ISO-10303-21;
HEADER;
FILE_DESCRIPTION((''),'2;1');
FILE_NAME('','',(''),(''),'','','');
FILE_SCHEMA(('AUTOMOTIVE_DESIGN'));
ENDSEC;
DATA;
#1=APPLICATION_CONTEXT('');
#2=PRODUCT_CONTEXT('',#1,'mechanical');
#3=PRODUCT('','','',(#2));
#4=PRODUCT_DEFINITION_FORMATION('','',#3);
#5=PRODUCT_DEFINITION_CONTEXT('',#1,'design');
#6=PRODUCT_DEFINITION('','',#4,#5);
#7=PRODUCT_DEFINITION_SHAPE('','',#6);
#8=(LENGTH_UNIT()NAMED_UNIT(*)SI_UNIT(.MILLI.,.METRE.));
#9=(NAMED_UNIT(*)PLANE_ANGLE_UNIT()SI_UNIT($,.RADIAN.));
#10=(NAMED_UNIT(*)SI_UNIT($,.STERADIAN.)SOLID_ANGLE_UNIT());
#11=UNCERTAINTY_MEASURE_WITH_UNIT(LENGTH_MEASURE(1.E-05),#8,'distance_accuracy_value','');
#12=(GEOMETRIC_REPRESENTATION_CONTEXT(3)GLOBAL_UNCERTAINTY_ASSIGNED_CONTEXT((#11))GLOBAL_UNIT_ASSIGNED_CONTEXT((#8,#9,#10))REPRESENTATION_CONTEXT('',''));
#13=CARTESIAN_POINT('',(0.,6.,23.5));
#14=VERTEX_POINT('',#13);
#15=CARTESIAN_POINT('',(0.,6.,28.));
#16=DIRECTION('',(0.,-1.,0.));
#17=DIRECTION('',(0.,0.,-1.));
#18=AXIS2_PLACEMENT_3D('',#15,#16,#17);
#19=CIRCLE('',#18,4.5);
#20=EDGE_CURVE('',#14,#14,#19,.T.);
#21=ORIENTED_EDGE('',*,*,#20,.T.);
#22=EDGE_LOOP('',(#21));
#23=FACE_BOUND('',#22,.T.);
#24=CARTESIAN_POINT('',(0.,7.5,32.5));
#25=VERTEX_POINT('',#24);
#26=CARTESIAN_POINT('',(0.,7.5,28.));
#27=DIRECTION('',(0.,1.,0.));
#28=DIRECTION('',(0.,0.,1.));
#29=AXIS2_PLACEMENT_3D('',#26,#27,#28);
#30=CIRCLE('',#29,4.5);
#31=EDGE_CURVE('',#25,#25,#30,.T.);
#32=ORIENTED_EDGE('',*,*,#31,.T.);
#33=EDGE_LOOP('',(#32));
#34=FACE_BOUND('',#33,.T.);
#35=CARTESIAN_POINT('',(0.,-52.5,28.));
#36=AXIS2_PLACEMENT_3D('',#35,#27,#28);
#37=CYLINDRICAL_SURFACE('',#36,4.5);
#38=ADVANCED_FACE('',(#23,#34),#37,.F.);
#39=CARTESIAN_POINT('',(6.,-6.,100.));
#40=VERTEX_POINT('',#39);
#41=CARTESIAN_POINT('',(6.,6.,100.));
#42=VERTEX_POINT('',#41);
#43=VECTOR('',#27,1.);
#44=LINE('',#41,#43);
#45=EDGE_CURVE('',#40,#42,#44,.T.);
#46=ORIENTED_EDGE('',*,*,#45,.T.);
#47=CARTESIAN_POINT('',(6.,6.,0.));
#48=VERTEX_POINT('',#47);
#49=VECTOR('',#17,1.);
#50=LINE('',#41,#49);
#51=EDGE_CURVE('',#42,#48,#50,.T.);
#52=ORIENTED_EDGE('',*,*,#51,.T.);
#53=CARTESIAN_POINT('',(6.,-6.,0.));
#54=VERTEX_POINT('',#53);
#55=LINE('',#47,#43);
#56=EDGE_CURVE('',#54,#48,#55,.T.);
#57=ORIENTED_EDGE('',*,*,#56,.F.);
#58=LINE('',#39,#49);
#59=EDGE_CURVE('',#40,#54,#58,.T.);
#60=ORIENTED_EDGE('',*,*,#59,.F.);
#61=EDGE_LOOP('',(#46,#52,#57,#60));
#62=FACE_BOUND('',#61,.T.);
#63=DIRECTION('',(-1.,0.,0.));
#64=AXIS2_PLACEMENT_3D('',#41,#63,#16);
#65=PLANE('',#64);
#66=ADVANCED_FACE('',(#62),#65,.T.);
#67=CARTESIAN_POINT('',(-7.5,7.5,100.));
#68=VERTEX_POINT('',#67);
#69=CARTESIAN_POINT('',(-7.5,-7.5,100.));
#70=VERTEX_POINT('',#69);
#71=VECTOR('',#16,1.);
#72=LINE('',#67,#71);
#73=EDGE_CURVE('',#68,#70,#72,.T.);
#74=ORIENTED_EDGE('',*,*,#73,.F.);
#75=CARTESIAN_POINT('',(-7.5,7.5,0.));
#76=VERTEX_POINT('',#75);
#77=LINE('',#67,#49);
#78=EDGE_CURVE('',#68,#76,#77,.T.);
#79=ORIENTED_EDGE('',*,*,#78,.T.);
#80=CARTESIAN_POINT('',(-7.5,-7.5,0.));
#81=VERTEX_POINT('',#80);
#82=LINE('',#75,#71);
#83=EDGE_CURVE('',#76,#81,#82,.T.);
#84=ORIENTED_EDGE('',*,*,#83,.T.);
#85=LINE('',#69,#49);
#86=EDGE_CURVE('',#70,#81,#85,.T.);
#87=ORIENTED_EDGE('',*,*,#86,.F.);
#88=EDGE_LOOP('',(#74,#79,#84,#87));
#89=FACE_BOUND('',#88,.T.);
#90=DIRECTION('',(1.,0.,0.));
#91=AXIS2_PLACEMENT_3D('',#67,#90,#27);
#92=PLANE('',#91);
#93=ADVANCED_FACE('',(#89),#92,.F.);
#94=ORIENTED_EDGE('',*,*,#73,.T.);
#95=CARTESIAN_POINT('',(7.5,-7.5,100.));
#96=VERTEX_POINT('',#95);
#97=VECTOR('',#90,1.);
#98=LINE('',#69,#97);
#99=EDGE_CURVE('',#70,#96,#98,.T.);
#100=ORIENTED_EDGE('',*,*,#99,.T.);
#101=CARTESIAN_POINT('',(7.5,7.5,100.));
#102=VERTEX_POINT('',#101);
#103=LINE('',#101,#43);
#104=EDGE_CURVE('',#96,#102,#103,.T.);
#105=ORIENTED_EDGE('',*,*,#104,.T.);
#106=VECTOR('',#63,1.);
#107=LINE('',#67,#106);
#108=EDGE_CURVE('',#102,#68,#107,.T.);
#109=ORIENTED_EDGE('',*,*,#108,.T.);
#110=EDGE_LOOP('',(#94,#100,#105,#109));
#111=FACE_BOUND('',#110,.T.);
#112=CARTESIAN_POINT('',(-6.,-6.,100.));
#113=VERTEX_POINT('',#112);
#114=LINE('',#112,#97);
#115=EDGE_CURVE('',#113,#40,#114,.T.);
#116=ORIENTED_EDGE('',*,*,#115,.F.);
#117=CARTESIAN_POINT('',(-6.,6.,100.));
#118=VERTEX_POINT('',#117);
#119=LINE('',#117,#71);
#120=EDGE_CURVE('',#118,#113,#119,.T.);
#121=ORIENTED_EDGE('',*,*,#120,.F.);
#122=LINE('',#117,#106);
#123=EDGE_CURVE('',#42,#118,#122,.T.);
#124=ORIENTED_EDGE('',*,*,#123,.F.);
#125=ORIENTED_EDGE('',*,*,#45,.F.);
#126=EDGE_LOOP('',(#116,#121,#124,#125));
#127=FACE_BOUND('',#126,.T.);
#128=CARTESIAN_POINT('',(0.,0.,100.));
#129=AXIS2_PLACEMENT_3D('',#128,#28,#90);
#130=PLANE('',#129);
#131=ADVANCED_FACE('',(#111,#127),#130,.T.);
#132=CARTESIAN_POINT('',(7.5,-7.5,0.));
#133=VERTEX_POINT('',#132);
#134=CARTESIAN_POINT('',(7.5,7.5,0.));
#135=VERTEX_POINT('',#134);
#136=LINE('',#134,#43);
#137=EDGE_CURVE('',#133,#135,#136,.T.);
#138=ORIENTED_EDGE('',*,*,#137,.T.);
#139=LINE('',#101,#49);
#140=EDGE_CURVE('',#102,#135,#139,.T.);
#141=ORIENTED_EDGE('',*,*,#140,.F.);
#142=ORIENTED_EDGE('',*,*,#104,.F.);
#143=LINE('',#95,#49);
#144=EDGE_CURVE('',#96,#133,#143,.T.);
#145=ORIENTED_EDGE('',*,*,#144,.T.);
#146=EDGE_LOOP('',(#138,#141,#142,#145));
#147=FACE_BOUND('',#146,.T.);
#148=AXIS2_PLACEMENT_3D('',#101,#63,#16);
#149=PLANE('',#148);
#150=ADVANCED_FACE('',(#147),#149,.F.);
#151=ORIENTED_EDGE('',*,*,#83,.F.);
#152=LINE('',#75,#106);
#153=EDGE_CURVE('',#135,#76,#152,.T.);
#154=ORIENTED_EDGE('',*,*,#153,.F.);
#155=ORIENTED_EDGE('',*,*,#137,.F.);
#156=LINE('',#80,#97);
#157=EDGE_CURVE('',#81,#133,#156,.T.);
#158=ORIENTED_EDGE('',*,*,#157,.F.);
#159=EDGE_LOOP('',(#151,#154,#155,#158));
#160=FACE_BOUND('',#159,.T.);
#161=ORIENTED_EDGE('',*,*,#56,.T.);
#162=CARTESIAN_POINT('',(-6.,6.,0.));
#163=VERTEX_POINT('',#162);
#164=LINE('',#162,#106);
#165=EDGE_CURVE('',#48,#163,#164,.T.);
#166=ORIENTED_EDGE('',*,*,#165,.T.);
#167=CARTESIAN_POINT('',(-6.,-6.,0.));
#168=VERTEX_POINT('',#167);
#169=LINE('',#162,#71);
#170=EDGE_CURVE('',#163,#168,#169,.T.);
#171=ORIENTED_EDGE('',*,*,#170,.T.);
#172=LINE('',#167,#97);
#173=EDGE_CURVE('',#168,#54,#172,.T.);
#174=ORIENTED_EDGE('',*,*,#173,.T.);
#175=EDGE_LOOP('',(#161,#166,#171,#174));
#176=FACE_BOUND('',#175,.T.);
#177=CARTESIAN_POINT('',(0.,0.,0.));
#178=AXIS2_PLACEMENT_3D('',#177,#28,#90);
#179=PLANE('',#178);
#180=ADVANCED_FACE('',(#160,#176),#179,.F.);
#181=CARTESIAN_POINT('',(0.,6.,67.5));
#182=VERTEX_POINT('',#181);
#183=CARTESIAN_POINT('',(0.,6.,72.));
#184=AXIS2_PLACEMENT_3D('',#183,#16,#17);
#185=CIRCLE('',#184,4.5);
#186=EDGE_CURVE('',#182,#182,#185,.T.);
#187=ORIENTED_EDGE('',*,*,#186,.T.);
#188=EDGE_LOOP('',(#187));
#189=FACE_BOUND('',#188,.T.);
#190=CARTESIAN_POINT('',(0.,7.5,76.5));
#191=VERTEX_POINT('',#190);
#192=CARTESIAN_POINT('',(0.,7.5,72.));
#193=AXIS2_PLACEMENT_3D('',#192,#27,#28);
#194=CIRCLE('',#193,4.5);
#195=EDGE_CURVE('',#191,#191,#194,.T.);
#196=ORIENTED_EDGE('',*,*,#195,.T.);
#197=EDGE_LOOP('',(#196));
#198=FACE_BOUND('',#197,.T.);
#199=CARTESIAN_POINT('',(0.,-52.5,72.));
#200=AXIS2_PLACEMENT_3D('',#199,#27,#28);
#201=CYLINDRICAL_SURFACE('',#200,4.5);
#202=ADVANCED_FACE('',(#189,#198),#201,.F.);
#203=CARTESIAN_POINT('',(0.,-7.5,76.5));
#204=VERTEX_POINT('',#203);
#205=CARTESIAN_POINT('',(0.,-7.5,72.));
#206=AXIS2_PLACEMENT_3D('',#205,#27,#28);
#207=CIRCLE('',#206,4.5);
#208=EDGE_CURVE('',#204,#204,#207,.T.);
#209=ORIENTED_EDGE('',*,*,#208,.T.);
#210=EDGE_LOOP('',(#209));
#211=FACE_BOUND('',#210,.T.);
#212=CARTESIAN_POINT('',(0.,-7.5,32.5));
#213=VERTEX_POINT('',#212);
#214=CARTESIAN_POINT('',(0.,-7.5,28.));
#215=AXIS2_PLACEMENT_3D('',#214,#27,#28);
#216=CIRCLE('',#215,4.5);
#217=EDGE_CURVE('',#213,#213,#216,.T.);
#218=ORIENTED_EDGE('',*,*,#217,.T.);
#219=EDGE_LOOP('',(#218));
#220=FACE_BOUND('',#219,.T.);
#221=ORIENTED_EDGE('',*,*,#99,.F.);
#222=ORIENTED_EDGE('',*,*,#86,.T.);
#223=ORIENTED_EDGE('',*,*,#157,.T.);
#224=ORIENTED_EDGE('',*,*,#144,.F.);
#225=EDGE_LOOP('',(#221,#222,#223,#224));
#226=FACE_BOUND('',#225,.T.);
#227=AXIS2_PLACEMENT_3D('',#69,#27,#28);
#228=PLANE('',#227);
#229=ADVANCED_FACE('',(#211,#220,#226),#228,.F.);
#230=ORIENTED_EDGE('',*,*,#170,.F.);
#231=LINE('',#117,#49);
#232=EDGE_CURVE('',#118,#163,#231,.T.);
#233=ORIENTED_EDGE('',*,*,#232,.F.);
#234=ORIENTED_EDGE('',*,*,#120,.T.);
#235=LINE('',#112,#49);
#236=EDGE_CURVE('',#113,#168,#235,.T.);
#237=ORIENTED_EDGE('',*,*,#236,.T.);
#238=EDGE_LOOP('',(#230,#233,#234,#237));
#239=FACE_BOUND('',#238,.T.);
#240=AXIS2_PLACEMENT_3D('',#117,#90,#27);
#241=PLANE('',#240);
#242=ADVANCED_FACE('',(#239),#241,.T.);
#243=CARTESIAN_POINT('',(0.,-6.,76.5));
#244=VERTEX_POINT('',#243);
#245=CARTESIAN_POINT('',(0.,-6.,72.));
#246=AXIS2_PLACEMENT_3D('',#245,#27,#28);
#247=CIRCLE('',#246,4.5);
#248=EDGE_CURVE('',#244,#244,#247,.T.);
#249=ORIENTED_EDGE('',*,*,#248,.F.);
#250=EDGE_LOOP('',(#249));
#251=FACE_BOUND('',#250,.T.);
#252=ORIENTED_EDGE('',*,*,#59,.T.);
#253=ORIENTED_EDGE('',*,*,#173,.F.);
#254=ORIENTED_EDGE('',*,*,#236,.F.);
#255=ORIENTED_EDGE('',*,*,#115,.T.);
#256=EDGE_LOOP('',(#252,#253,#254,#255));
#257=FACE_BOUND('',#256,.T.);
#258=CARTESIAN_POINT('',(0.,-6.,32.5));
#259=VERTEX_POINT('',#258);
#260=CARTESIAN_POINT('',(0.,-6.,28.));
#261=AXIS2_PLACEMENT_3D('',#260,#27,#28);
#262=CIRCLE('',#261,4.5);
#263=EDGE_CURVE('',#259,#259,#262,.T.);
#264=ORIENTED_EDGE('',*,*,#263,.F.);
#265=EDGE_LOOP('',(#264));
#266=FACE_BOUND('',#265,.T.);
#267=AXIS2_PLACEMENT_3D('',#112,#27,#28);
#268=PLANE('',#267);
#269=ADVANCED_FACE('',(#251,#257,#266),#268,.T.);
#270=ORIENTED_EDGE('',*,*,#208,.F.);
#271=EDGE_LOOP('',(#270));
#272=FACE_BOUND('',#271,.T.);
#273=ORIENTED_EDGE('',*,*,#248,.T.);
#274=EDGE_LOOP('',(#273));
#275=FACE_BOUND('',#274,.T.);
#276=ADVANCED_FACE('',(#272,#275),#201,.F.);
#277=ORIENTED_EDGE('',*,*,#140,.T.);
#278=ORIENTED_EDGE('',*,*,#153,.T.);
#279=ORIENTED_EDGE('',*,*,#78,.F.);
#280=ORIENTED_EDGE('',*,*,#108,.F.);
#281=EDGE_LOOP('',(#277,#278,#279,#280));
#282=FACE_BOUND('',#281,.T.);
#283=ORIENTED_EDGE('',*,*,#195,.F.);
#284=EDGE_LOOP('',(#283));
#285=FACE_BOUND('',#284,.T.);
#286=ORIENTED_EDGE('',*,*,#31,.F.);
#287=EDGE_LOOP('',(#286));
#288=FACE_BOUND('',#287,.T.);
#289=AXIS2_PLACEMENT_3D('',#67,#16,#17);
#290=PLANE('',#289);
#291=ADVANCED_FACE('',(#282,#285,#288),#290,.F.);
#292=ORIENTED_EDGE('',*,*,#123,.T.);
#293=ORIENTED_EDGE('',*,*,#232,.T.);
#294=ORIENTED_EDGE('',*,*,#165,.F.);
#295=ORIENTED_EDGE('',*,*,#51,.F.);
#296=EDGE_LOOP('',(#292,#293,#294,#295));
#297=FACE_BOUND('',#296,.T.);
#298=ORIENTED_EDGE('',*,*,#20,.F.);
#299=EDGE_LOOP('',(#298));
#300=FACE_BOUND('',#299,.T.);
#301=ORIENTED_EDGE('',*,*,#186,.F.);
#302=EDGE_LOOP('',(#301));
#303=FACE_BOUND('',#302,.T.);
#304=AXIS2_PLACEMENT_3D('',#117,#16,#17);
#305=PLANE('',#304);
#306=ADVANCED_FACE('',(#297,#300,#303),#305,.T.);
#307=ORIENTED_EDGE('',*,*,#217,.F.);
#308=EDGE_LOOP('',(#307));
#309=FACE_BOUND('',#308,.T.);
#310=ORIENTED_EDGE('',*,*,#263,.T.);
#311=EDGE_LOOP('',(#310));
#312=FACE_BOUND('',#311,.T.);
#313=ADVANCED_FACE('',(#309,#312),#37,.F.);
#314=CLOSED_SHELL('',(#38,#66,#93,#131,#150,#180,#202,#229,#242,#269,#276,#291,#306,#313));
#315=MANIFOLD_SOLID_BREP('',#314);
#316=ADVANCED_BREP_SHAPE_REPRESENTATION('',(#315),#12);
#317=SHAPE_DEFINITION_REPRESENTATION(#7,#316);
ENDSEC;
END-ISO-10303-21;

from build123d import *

# Parameters (mm, degrees)
SKETCH_1_W          = 15
SKETCH_1_H          = 15
SKETCH_1_W_2        = 12
SKETCH_1_H_2        = 12
EXTRUDE_1_DEPTH     = 100
SKETCH_2_R          = 4.5
CUT_EXTRUDE_1_DEPTH = 60


with BuildPart() as part:
    # ｽｹｯﾁ1 → ﾎﾞｽ - 押し出し1 (new body)
    with BuildSketch(Plane.XY):
        Rectangle(SKETCH_1_W, SKETCH_1_H)
        Rectangle(SKETCH_1_W_2, SKETCH_1_H_2, mode=Mode.SUBTRACT)
    extrude(amount=EXTRUDE_1_DEPTH)

    # ｽｹｯﾁ2 → ｶｯﾄ - 押し出し1 (cut)
    with BuildSketch(Plane(origin=(0, 7.5, 0), x_dir=(1, 0, 0), z_dir=(0, 1, 0))):
        with Locations((0, -72)):
            Circle(SKETCH_2_R)
        with Locations((0, -28)):
            Circle(SKETCH_2_R)
    extrude(amount=-CUT_EXTRUDE_1_DEPTH, mode=Mode.SUBTRACT)


solid = part.part
